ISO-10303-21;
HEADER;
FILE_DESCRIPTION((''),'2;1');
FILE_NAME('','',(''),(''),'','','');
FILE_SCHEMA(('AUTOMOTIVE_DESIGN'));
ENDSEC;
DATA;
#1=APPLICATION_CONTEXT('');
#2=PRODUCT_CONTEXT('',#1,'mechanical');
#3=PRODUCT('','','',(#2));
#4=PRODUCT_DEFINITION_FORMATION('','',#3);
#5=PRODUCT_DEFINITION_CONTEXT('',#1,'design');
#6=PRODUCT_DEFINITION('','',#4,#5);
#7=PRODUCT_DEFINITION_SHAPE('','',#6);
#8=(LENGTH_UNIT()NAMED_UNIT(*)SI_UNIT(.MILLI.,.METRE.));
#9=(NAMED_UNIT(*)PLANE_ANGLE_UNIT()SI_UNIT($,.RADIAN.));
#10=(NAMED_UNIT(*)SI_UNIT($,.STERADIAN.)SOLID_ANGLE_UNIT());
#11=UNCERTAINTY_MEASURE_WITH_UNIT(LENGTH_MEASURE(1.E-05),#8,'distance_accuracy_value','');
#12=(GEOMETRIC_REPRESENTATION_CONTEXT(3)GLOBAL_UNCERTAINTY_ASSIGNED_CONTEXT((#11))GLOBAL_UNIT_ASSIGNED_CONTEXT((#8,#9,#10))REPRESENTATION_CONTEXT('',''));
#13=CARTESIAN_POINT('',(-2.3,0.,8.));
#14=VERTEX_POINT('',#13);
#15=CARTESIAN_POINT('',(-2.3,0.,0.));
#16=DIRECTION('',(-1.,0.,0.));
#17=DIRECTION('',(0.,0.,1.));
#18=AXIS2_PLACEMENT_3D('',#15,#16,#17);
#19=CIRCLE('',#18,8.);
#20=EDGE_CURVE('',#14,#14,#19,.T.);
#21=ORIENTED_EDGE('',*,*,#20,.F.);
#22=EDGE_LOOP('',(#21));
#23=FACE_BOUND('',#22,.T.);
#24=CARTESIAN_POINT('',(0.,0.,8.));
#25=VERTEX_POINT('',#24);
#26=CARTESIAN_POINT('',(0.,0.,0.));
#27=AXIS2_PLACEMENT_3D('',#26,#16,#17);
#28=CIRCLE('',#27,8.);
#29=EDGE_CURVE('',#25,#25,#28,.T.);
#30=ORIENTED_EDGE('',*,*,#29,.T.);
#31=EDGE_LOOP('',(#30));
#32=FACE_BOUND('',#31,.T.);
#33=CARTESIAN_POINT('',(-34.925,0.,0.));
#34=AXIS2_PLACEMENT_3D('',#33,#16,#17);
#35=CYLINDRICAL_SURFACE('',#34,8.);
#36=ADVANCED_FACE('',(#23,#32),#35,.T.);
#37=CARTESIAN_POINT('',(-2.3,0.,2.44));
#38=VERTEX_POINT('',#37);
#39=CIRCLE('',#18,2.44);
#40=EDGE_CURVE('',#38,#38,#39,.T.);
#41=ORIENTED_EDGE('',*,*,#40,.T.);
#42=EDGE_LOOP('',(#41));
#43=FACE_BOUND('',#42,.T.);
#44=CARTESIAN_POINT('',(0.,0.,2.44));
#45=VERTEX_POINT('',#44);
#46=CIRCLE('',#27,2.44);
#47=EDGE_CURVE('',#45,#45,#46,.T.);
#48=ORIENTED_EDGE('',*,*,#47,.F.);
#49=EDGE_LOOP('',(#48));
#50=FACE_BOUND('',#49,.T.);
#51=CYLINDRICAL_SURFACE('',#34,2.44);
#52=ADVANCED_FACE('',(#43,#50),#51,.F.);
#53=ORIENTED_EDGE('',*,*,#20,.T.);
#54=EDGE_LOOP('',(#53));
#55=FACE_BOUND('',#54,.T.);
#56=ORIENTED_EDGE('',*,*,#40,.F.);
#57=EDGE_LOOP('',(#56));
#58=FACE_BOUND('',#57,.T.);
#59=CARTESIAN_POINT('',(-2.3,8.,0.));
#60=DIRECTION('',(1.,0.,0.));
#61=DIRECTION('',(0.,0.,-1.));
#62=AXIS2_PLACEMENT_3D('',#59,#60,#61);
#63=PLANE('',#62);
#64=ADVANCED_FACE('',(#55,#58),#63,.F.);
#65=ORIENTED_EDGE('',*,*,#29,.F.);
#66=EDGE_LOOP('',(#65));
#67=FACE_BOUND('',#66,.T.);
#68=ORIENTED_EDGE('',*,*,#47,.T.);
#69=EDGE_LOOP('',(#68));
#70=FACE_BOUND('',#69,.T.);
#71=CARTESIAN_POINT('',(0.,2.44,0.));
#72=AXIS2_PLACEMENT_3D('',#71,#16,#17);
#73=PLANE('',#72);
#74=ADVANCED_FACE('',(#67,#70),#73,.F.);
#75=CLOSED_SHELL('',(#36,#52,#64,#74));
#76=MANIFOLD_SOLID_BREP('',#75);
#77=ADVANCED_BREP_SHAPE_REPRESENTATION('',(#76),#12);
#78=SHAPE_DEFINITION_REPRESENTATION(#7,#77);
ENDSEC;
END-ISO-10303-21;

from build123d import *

# Parameters (mm, degrees)
SKETCH1_W = 2.3
SKETCH1_H = 5.56


with BuildPart() as part:
    # Sketch1 → Base-Revolve (revolve)
    with BuildSketch(Plane.XY, mode=Mode.PRIVATE) as base_revolve_sk:
        with Locations((-1.15, 5.22)):
            Rectangle(SKETCH1_W, SKETCH1_H)
    revolve(base_revolve_sk.sketch.rotate(Axis((-34.925, 0, 0), (1, 0, 0)), 90), axis=Axis((-34.925, 0, 0), (1, 0, 0)))


solid = part.part
